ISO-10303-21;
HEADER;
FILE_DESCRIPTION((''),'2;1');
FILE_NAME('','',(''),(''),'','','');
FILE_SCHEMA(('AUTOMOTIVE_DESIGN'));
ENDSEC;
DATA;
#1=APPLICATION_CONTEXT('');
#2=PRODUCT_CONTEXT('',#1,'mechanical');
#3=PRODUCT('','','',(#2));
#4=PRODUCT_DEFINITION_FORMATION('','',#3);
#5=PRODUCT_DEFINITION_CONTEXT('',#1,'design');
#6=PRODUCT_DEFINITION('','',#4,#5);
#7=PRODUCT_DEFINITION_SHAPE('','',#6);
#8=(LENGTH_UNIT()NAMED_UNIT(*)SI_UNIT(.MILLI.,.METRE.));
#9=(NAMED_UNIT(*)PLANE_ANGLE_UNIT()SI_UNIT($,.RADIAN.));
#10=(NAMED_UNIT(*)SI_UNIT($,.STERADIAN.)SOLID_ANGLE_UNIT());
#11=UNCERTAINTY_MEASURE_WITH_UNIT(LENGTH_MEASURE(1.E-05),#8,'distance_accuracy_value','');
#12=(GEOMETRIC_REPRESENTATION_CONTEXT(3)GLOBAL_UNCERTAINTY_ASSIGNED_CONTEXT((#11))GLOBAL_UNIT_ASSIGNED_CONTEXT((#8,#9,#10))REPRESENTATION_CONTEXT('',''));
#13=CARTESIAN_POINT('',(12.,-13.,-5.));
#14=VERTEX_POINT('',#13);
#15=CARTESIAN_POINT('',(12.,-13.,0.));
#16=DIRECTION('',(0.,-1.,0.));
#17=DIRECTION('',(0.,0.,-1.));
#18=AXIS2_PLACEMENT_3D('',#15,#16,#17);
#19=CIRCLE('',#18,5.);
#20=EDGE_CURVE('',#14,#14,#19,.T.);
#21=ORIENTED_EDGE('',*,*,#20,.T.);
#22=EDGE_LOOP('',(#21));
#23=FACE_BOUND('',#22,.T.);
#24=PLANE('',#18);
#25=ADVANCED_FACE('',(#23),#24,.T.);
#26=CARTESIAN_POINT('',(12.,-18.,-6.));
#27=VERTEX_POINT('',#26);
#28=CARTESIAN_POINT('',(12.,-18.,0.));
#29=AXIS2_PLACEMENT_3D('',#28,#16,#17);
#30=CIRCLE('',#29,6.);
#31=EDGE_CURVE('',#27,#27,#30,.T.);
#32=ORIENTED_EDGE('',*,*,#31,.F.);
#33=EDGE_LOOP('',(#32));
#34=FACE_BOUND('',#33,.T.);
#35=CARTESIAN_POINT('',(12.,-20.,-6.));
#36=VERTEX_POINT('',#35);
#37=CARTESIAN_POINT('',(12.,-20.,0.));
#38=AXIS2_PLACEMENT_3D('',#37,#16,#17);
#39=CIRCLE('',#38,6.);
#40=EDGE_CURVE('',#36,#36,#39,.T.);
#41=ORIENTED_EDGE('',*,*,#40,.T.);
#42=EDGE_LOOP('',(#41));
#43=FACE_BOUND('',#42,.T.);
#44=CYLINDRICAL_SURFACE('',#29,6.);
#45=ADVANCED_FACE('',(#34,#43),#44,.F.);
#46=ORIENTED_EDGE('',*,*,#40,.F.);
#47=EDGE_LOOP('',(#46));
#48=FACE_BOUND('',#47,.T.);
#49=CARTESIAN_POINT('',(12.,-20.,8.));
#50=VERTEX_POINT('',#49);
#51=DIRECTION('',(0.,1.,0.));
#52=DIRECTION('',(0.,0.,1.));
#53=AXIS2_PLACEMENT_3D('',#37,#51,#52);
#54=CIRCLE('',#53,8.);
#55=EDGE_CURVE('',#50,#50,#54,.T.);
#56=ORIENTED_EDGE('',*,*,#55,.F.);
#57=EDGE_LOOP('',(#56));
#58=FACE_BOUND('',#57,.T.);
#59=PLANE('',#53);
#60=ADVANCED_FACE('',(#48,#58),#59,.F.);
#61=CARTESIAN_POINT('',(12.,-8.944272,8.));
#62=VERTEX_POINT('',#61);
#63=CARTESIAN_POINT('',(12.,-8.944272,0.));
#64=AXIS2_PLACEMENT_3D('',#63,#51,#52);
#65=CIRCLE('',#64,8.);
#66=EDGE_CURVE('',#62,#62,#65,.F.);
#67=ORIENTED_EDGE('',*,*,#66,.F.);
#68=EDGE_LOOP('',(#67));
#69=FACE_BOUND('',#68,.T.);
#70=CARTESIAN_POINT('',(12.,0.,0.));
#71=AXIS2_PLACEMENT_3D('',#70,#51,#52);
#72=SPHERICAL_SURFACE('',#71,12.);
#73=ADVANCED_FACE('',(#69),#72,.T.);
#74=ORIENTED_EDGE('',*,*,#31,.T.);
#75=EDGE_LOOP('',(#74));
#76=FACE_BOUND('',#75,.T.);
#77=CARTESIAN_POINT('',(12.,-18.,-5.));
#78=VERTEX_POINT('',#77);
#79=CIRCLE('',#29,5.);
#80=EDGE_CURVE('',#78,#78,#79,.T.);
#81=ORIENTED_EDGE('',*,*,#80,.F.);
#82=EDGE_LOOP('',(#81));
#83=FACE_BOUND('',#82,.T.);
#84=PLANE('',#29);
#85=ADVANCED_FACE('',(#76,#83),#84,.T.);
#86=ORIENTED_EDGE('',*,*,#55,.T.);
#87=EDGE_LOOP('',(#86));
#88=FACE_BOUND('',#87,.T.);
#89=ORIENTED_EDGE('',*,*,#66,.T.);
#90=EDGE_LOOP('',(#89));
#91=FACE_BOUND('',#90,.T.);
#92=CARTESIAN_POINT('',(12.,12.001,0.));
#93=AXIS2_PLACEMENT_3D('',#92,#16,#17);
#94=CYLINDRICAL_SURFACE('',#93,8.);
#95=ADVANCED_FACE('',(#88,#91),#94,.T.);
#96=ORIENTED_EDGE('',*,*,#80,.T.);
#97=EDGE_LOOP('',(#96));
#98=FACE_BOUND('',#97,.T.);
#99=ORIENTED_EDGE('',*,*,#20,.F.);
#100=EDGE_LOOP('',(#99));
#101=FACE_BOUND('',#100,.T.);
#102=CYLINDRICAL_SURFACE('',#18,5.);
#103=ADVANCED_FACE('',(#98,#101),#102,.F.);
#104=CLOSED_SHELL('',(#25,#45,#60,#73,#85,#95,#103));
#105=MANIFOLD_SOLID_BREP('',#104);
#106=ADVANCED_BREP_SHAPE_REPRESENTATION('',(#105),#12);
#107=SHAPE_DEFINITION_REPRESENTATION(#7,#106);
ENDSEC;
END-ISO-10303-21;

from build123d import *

# Parameters (mm, degrees)
BOSS_EXTRUDE1_REACH      = 52.706
BOSS_EXTRUDE1_END_RADIUS = 12
BOSS_EXTRUDE1_START      = 5
SKETCH3_R                = 8
SKETCH4_R                = 6
CUT_EXTRUDE2_DEPTH       = 2
SKETCH5_R                = 5
CUT_EXTRUDE3_DEPTH       = 5


with BuildPart() as part:
    # Sketch2 → Revolve1 (revolve)
    with BuildSketch(Plane(origin=(0, 0, 0), x_dir=(1, 0, 0), z_dir=(0, 1, 0))):
        with BuildLine():
            Line((0, 0), (24, 0))
            ThreePointArc((24, 0), (12, 12), (0, 0))
        make_face()
    revolve(axis=Axis((0, 0, 0), (1, 0, 0)))

    # Boss-Extrude1: up to this sphere (the profile starts outside it)
    boss_extrude1_end = Location((12, 0, 0)) * Sphere(BOSS_EXTRUDE1_END_RADIUS, mode=Mode.PRIVATE)
    # Sketch3 → Boss-Extrude1 (add, up to the surface)
    with BuildSketch(Plane(origin=(0, -25, 0), x_dir=(1, 0, 0), z_dir=(0, 1, 0)).offset(BOSS_EXTRUDE1_START), mode=Mode.PRIVATE) as boss_extrude1_sk1:
        with Locations(Location((12, 0, 0), (0, 0, 270))):
            Circle(SKETCH3_R)
    boss_extrude1_tool1 = extrude(boss_extrude1_sk1.sketch, amount=BOSS_EXTRUDE1_REACH, mode=Mode.PRIVATE) - boss_extrude1_end
    add(boss_extrude1_tool1.solids().sort_by_distance((12, -20, 0))[0])

    # Sketch4 → Cut-Extrude2 (cut)
    with BuildSketch(Plane.XZ.offset(20)):
        with Locations(Location((12, 0, 0), (0, 0, 270))):
            Circle(SKETCH4_R)
    extrude(amount=-CUT_EXTRUDE2_DEPTH, mode=Mode.SUBTRACT)

    # Sketch5 → Cut-Extrude3 (cut)
    with BuildSketch(Plane.XZ.offset(18)):
        with Locations(Location((12, 0, 0), (0, 0, 270))):
            Circle(SKETCH5_R)
    extrude(amount=-CUT_EXTRUDE3_DEPTH, mode=Mode.SUBTRACT)


solid = part.part
